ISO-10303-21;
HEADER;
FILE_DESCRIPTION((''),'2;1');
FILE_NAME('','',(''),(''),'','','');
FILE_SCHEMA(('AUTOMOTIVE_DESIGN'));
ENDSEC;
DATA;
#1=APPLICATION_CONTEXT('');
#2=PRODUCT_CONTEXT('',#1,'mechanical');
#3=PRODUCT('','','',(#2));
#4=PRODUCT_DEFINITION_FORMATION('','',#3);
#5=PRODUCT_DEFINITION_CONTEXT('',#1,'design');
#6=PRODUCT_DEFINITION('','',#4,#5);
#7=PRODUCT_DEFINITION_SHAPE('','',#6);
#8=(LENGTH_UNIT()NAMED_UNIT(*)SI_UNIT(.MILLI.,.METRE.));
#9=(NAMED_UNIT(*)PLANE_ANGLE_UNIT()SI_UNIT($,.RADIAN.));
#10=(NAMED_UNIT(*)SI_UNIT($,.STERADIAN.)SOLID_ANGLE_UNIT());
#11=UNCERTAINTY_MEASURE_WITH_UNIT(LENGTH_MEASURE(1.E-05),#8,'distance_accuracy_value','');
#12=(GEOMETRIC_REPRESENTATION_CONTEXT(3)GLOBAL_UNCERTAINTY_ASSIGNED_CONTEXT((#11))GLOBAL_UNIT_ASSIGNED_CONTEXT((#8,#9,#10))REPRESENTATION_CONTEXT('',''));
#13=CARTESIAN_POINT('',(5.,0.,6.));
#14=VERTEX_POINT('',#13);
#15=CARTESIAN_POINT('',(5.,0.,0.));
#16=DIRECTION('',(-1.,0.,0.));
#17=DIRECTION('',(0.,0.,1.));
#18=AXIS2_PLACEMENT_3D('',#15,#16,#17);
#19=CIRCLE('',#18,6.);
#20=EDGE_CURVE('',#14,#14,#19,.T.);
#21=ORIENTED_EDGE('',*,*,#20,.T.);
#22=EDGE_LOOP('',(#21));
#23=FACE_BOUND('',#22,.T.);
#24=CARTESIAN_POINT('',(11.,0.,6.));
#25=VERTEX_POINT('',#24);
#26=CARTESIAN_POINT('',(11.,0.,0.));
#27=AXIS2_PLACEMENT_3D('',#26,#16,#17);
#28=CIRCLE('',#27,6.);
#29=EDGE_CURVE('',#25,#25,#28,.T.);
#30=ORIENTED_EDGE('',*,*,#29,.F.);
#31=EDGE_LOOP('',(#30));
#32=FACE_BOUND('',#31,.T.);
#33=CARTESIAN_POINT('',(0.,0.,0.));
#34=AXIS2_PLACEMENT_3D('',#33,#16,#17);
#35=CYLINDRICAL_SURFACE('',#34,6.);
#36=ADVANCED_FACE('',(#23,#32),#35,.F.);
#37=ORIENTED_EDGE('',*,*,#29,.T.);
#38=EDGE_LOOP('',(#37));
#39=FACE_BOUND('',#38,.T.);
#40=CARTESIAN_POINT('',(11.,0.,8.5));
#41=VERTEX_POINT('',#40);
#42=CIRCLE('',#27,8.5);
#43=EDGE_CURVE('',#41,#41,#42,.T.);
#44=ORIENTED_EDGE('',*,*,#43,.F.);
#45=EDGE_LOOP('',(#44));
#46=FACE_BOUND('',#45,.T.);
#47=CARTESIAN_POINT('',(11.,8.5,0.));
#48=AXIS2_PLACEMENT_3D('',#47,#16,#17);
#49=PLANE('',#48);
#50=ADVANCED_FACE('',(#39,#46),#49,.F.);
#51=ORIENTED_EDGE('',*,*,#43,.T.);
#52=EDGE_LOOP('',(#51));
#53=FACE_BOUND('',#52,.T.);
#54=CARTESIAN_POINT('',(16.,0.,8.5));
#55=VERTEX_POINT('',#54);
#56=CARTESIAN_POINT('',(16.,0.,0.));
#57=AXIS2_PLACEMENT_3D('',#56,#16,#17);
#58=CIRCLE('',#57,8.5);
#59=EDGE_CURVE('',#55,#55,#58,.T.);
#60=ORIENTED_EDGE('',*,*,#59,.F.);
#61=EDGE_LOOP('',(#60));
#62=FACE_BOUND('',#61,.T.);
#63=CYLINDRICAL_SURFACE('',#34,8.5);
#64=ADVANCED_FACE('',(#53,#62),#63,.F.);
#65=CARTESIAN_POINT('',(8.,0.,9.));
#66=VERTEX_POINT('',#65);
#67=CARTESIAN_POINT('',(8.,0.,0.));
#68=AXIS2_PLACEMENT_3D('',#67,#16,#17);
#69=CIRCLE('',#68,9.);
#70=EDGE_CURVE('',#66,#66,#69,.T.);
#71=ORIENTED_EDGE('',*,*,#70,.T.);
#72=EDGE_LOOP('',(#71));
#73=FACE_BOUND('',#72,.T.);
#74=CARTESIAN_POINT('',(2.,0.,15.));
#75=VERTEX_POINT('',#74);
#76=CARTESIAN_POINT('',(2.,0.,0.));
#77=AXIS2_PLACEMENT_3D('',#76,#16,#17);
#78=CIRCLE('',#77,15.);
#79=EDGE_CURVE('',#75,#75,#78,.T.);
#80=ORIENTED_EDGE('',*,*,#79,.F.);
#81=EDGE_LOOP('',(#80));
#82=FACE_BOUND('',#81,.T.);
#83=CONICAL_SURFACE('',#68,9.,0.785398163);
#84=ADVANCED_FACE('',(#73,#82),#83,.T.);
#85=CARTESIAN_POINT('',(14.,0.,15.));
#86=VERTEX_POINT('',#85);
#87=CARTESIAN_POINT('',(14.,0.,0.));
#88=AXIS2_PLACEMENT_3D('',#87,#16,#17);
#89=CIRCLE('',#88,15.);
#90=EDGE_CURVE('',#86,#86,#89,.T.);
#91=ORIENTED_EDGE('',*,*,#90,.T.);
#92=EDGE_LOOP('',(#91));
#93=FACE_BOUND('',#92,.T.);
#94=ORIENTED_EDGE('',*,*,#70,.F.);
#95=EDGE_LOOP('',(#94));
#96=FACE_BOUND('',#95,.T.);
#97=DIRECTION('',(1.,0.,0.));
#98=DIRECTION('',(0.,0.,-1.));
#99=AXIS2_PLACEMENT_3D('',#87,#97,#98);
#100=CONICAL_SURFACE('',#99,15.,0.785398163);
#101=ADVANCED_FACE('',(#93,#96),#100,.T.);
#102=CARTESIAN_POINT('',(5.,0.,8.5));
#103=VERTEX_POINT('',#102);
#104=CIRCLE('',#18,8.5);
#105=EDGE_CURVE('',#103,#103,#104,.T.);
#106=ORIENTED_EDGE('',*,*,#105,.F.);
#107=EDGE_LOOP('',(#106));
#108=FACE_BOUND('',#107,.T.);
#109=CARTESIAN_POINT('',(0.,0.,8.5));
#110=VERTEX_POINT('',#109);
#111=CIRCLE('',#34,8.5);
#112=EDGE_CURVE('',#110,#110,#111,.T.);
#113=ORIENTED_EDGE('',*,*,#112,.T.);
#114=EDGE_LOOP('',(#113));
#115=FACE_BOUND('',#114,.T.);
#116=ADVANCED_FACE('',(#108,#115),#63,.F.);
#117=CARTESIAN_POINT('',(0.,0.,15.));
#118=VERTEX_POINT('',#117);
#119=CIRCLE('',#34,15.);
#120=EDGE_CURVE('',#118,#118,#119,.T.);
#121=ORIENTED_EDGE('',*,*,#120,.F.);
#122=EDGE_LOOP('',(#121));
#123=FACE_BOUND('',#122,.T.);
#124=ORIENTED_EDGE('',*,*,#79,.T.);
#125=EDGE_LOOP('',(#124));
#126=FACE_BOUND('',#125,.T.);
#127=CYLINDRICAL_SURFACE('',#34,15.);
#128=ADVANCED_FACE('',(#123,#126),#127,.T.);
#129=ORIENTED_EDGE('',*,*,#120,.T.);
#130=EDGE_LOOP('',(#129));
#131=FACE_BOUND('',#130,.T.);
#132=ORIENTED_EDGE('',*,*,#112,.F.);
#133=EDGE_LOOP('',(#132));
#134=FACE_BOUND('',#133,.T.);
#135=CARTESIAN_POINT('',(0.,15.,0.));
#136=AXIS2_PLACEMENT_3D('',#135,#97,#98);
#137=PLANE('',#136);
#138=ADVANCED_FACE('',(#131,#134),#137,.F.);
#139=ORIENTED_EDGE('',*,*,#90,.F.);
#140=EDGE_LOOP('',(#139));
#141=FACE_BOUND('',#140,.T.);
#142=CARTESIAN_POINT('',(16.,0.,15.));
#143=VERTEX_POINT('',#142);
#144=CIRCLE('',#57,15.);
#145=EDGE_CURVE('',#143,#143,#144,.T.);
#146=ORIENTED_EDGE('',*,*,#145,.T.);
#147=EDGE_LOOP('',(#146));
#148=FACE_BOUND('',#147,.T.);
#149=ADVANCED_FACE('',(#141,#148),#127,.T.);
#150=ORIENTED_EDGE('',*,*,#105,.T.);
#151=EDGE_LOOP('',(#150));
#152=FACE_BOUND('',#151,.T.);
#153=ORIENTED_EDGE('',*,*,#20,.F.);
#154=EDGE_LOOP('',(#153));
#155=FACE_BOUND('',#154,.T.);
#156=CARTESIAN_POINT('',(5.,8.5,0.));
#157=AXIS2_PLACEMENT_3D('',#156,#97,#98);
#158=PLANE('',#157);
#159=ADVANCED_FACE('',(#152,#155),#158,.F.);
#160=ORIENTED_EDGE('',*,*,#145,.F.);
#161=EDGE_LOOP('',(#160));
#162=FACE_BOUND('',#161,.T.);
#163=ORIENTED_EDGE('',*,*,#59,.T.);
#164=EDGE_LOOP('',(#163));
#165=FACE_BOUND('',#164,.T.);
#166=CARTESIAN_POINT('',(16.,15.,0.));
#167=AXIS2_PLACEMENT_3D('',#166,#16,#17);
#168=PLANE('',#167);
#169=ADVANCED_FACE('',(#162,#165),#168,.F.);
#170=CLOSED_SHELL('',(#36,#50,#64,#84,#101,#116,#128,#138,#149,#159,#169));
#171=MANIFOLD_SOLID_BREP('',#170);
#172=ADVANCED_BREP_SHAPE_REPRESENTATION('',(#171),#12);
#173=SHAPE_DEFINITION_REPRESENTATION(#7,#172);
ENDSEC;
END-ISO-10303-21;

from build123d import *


with BuildPart() as part:
    # Croquis1 → Revolución1 (revolve)
    with BuildSketch(Plane.XY):
        Polygon((0, 8.5), (5, 8.5), (5, 6), (11, 6), (11, 8.5), (16, 8.5), (16, 15), (14, 15), (8, 9), (2, 15), (0, 15), align=None)
    revolve(axis=Axis((0, 0, 0), (1, 0, 0)))


solid = part.part
